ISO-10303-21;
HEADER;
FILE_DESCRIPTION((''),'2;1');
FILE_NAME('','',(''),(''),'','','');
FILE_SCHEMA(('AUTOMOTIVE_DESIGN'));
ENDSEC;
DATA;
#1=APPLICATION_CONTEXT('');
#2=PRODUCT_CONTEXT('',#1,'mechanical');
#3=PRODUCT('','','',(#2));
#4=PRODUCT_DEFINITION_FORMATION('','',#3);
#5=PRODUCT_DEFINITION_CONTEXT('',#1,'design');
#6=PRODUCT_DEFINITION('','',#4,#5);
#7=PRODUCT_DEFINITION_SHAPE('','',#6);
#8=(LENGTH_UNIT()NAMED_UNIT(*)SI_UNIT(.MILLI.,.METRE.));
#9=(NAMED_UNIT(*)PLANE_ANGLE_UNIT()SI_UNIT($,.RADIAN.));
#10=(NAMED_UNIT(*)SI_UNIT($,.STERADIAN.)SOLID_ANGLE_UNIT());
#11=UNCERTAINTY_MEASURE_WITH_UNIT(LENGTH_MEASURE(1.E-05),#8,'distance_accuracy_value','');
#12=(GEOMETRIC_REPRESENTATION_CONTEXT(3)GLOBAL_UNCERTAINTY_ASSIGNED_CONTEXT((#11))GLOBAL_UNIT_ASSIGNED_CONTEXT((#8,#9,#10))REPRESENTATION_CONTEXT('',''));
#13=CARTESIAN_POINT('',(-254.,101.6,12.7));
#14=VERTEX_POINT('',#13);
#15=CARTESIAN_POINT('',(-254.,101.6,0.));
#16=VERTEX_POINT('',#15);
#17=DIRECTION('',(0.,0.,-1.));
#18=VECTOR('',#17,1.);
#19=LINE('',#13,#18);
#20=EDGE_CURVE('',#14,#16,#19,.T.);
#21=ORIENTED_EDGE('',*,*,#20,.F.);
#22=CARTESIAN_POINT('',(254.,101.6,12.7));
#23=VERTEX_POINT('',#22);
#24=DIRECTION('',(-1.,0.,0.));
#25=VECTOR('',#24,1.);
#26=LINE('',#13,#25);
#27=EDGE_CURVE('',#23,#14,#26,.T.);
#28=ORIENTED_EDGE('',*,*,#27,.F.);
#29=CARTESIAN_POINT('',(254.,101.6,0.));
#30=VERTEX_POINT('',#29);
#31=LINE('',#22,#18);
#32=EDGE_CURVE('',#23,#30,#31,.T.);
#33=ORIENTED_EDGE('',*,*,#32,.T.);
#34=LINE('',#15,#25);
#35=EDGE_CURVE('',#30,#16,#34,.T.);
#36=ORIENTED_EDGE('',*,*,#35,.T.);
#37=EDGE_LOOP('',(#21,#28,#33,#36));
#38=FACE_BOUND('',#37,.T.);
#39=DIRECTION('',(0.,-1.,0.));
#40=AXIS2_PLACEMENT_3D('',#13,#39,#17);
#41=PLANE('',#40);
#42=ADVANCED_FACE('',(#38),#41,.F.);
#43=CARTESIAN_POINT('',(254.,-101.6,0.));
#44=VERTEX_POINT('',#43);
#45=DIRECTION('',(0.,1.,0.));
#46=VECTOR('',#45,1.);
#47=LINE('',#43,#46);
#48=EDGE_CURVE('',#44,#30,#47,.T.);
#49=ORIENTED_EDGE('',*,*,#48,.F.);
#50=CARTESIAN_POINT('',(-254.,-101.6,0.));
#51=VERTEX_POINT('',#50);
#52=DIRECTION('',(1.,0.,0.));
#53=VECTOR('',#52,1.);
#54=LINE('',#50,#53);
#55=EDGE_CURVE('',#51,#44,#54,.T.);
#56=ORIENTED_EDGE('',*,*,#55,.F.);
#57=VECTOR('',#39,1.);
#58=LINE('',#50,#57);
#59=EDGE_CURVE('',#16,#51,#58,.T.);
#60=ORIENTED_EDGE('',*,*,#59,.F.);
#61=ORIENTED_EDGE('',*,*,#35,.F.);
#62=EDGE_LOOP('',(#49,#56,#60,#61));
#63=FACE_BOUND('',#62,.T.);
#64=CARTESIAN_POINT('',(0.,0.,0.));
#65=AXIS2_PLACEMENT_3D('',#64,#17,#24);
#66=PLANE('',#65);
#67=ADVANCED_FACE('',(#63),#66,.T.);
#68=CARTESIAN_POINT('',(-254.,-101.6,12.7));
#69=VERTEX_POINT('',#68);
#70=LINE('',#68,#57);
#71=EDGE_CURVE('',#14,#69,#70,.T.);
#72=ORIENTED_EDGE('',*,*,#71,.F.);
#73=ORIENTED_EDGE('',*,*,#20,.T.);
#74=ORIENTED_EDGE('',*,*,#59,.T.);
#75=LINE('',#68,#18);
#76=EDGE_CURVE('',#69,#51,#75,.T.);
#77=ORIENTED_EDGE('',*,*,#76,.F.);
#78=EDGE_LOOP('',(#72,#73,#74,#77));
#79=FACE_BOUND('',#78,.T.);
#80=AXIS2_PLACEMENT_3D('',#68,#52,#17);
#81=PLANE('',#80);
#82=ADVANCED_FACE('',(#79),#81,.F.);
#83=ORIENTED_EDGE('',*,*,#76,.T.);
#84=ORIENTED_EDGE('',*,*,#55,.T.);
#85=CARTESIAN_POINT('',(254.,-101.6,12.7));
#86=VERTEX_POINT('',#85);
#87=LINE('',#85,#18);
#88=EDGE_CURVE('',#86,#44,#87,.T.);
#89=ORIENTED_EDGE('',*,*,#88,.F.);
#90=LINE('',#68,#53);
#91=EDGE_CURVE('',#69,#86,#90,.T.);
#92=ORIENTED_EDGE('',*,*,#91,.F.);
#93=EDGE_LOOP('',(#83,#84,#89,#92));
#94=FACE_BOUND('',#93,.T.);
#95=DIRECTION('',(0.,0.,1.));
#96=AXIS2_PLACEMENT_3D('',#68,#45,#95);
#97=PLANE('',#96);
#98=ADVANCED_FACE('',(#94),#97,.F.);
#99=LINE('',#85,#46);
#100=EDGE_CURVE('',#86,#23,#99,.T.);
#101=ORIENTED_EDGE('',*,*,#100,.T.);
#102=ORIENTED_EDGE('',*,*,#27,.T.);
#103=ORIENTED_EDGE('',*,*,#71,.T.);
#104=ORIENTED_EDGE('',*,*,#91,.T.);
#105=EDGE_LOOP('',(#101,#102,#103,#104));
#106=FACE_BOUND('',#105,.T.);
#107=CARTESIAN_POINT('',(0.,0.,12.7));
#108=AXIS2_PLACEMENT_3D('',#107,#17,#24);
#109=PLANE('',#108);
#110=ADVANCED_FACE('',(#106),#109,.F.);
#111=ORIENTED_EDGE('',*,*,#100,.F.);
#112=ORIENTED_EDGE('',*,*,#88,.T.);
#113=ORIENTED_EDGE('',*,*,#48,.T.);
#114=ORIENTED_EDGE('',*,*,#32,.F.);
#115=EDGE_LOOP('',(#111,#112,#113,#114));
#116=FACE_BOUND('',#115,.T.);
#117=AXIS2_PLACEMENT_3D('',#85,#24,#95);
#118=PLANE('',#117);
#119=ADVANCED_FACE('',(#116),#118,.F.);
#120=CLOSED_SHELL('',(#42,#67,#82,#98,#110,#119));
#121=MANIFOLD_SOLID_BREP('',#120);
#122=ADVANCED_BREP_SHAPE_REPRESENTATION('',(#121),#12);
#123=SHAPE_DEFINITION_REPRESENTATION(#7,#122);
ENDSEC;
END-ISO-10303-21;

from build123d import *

# Parameters (mm, degrees)
SKETCH1_W           = 508
SKETCH1_H           = 203.2
BOSS_EXTRUDE1_DEPTH = 12.7


with BuildPart() as part:
    # Sketch1 → Boss-Extrude1 (new body)
    with BuildSketch(Plane.XY):
        Rectangle(SKETCH1_W, SKETCH1_H)
    extrude(amount=BOSS_EXTRUDE1_DEPTH)


solid = part.part
